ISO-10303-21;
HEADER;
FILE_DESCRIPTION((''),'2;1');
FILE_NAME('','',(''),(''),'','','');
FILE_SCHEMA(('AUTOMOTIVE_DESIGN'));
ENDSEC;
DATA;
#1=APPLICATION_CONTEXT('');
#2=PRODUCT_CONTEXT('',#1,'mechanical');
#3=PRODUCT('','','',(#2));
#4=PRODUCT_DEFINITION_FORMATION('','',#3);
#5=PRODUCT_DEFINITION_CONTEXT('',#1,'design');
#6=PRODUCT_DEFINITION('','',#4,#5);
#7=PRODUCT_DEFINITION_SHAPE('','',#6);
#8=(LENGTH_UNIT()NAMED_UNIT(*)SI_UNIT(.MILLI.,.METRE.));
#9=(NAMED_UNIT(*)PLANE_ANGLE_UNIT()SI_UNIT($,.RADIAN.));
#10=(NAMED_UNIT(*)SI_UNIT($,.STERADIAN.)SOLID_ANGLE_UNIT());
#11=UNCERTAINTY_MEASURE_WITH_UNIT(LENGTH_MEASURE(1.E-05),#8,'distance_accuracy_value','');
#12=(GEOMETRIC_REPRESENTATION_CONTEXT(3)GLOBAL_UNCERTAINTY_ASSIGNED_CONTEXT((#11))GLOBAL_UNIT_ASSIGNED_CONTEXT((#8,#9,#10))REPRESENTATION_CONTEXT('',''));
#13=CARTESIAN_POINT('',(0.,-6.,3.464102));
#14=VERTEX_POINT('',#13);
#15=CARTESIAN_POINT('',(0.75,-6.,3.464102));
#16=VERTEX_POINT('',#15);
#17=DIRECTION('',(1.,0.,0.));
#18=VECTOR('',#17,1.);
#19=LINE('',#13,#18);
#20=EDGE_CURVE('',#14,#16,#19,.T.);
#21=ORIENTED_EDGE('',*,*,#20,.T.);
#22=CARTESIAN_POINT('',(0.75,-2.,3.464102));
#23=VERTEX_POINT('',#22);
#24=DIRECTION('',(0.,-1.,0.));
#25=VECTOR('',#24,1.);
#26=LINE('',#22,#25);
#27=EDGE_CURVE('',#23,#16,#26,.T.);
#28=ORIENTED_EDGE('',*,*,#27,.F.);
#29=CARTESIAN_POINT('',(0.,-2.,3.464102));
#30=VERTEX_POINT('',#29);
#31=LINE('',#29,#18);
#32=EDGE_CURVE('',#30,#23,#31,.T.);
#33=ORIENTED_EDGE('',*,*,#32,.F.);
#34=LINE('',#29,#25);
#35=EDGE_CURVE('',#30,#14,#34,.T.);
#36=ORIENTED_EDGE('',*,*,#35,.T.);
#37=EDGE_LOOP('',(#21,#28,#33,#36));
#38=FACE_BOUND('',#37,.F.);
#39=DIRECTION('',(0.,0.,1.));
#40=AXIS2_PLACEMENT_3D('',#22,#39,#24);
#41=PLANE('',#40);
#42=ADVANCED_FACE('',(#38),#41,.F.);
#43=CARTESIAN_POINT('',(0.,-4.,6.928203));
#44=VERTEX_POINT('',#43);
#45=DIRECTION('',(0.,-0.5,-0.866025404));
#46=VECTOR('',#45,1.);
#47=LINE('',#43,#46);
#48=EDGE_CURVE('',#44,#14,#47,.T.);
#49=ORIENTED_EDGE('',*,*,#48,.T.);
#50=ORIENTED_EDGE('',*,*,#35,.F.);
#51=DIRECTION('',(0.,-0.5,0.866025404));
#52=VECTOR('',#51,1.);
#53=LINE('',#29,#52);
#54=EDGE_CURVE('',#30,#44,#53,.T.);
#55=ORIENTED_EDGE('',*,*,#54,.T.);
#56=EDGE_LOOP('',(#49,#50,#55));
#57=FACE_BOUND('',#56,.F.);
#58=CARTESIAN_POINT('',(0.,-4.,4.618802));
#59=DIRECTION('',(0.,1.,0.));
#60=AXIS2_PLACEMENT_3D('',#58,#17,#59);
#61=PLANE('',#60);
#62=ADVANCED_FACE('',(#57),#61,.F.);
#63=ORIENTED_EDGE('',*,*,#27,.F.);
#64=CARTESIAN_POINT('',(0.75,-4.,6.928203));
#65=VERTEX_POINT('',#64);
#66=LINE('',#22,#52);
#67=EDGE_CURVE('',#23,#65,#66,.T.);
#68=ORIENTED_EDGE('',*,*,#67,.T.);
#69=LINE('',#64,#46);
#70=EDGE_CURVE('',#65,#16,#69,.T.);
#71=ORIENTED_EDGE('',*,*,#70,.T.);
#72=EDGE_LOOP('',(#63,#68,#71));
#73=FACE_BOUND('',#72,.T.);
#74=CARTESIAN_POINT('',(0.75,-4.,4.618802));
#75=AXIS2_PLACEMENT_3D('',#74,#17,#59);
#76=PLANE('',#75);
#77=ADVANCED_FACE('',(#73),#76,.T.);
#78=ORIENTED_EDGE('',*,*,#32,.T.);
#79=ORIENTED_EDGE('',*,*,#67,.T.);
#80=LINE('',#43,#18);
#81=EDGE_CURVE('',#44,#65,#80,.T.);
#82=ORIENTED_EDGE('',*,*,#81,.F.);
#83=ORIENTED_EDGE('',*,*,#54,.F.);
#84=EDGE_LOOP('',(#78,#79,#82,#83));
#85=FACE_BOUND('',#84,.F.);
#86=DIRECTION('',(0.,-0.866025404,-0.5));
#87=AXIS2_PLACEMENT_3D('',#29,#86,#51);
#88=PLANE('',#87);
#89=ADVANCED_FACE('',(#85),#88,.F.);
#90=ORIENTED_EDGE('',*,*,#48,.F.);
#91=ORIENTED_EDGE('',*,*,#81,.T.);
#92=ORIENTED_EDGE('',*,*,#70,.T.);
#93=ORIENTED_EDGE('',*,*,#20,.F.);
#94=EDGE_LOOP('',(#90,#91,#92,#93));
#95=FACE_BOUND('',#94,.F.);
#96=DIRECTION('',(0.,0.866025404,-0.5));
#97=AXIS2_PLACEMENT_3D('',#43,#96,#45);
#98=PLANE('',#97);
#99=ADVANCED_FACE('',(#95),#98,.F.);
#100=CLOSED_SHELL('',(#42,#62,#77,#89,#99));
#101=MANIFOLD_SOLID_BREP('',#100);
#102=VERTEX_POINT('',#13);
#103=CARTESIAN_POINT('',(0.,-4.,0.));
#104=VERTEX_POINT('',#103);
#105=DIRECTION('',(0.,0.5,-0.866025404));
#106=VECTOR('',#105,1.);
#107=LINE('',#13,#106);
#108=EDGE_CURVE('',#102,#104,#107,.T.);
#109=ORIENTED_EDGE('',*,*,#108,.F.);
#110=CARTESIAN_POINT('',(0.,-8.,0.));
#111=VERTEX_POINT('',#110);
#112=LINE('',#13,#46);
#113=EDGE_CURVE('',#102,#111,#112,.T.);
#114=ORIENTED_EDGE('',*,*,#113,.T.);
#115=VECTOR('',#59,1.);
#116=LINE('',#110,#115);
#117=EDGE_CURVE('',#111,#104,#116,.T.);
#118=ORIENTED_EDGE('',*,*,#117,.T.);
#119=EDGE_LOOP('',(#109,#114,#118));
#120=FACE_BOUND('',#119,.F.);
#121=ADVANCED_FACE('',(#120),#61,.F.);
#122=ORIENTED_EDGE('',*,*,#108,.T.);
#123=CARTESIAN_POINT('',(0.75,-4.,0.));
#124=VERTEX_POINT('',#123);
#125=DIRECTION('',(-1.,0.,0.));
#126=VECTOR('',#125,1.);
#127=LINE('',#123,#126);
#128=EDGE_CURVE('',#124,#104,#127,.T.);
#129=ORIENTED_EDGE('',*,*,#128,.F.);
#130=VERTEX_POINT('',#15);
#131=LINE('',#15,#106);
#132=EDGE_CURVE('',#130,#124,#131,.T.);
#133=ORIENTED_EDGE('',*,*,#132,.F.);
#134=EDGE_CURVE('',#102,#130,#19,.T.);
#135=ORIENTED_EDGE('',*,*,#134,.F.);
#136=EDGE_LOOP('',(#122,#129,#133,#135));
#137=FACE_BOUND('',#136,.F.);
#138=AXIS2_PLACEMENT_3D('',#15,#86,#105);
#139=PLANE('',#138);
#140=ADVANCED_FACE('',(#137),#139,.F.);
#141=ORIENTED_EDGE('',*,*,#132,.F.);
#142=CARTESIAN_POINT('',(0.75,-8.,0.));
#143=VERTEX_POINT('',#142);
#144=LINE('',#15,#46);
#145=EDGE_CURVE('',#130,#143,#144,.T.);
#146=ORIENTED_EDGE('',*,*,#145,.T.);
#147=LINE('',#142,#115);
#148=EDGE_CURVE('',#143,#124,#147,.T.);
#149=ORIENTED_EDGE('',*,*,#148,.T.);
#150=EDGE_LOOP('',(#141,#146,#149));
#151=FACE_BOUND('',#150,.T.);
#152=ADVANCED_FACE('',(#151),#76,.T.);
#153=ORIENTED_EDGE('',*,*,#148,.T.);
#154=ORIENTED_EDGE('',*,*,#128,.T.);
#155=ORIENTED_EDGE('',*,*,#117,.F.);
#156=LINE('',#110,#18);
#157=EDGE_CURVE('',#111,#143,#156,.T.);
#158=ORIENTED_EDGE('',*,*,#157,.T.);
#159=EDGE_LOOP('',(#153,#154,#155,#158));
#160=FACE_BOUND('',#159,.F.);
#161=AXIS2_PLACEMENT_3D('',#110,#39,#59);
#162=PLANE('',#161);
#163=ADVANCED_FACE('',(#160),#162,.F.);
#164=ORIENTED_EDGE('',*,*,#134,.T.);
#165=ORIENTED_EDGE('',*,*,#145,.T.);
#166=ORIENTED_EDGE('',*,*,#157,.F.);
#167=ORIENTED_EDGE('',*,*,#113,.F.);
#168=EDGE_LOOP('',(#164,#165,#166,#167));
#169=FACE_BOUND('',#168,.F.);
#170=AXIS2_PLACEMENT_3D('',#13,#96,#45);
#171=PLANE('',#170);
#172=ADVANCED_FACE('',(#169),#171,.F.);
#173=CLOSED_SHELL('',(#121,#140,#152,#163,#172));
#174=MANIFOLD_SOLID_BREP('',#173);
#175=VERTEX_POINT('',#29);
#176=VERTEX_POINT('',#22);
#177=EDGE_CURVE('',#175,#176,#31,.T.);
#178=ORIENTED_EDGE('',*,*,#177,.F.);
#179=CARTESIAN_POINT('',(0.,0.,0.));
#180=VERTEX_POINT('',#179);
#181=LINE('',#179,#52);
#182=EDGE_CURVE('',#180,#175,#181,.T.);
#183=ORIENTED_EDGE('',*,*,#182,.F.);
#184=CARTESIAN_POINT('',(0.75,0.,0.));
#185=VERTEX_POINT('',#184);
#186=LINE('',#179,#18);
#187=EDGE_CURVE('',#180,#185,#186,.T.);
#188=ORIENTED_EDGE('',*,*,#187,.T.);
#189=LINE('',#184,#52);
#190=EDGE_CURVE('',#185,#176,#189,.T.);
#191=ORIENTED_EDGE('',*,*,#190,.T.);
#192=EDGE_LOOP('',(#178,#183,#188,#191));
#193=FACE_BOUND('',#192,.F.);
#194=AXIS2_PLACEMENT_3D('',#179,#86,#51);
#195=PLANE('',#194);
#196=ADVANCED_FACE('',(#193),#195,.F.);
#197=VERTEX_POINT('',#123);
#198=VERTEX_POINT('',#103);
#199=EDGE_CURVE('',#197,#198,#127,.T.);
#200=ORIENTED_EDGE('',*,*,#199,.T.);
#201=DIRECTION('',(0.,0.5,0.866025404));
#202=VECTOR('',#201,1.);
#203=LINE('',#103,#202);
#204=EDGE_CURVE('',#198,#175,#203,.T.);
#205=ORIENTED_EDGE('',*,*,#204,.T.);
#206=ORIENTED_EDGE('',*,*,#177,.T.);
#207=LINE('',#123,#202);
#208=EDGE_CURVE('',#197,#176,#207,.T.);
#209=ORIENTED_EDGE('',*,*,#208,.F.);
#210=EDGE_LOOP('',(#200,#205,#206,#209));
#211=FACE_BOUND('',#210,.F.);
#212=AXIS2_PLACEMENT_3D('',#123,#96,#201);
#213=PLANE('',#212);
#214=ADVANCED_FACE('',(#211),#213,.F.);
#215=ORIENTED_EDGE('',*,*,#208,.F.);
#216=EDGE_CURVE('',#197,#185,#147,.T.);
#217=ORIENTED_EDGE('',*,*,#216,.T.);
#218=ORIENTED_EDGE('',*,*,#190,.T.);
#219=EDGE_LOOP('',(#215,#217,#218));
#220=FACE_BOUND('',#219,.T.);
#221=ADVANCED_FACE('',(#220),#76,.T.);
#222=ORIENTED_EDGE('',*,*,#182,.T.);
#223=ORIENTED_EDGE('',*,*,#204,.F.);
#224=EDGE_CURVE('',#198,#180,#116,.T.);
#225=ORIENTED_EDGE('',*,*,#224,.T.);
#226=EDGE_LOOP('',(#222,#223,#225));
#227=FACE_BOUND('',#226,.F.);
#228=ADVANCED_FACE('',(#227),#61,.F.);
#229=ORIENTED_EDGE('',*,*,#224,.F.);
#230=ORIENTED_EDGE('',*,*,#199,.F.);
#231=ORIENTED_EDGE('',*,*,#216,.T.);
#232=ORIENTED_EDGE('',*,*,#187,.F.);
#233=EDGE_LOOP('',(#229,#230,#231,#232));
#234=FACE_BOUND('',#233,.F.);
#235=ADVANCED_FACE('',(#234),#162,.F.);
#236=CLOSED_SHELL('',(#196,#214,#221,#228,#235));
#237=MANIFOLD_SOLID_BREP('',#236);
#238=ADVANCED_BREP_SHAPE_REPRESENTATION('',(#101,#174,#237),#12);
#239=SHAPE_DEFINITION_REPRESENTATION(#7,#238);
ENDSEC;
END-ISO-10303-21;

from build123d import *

# Parameters (mm, degrees)
F1_DEPTH = 0.75
F3_DEPTH = 0.75


with BuildPart() as f1:
    # F0 (on Right) → F1 (new body)
    with BuildSketch(Plane.YZ):
        Polygon((-4, 6.9282032303), (-6, 3.4641016151), (-2, 3.4641016151), align=None)
        Polygon((-4, 0), (-6, 3.4641016151), (-8, 0), align=None)
        Polygon((-2, 3.4641016151), (-6, 3.4641016151), (-4, 0), align=None)
        Polygon((0, 0), (-2, 3.4641016151), (-4, 0), align=None)
    extrude(amount=F1_DEPTH)

    # F2 (on face) → F3 (cut, through all)
    with BuildSketch(Plane.YZ.offset(0.75)):
        Polygon((-6, 3.4641016151), (-4, 0), (-2, 3.4641016151), align=None)
    extrude(amount=-F3_DEPTH, mode=Mode.SUBTRACT)


solid = f1.part
